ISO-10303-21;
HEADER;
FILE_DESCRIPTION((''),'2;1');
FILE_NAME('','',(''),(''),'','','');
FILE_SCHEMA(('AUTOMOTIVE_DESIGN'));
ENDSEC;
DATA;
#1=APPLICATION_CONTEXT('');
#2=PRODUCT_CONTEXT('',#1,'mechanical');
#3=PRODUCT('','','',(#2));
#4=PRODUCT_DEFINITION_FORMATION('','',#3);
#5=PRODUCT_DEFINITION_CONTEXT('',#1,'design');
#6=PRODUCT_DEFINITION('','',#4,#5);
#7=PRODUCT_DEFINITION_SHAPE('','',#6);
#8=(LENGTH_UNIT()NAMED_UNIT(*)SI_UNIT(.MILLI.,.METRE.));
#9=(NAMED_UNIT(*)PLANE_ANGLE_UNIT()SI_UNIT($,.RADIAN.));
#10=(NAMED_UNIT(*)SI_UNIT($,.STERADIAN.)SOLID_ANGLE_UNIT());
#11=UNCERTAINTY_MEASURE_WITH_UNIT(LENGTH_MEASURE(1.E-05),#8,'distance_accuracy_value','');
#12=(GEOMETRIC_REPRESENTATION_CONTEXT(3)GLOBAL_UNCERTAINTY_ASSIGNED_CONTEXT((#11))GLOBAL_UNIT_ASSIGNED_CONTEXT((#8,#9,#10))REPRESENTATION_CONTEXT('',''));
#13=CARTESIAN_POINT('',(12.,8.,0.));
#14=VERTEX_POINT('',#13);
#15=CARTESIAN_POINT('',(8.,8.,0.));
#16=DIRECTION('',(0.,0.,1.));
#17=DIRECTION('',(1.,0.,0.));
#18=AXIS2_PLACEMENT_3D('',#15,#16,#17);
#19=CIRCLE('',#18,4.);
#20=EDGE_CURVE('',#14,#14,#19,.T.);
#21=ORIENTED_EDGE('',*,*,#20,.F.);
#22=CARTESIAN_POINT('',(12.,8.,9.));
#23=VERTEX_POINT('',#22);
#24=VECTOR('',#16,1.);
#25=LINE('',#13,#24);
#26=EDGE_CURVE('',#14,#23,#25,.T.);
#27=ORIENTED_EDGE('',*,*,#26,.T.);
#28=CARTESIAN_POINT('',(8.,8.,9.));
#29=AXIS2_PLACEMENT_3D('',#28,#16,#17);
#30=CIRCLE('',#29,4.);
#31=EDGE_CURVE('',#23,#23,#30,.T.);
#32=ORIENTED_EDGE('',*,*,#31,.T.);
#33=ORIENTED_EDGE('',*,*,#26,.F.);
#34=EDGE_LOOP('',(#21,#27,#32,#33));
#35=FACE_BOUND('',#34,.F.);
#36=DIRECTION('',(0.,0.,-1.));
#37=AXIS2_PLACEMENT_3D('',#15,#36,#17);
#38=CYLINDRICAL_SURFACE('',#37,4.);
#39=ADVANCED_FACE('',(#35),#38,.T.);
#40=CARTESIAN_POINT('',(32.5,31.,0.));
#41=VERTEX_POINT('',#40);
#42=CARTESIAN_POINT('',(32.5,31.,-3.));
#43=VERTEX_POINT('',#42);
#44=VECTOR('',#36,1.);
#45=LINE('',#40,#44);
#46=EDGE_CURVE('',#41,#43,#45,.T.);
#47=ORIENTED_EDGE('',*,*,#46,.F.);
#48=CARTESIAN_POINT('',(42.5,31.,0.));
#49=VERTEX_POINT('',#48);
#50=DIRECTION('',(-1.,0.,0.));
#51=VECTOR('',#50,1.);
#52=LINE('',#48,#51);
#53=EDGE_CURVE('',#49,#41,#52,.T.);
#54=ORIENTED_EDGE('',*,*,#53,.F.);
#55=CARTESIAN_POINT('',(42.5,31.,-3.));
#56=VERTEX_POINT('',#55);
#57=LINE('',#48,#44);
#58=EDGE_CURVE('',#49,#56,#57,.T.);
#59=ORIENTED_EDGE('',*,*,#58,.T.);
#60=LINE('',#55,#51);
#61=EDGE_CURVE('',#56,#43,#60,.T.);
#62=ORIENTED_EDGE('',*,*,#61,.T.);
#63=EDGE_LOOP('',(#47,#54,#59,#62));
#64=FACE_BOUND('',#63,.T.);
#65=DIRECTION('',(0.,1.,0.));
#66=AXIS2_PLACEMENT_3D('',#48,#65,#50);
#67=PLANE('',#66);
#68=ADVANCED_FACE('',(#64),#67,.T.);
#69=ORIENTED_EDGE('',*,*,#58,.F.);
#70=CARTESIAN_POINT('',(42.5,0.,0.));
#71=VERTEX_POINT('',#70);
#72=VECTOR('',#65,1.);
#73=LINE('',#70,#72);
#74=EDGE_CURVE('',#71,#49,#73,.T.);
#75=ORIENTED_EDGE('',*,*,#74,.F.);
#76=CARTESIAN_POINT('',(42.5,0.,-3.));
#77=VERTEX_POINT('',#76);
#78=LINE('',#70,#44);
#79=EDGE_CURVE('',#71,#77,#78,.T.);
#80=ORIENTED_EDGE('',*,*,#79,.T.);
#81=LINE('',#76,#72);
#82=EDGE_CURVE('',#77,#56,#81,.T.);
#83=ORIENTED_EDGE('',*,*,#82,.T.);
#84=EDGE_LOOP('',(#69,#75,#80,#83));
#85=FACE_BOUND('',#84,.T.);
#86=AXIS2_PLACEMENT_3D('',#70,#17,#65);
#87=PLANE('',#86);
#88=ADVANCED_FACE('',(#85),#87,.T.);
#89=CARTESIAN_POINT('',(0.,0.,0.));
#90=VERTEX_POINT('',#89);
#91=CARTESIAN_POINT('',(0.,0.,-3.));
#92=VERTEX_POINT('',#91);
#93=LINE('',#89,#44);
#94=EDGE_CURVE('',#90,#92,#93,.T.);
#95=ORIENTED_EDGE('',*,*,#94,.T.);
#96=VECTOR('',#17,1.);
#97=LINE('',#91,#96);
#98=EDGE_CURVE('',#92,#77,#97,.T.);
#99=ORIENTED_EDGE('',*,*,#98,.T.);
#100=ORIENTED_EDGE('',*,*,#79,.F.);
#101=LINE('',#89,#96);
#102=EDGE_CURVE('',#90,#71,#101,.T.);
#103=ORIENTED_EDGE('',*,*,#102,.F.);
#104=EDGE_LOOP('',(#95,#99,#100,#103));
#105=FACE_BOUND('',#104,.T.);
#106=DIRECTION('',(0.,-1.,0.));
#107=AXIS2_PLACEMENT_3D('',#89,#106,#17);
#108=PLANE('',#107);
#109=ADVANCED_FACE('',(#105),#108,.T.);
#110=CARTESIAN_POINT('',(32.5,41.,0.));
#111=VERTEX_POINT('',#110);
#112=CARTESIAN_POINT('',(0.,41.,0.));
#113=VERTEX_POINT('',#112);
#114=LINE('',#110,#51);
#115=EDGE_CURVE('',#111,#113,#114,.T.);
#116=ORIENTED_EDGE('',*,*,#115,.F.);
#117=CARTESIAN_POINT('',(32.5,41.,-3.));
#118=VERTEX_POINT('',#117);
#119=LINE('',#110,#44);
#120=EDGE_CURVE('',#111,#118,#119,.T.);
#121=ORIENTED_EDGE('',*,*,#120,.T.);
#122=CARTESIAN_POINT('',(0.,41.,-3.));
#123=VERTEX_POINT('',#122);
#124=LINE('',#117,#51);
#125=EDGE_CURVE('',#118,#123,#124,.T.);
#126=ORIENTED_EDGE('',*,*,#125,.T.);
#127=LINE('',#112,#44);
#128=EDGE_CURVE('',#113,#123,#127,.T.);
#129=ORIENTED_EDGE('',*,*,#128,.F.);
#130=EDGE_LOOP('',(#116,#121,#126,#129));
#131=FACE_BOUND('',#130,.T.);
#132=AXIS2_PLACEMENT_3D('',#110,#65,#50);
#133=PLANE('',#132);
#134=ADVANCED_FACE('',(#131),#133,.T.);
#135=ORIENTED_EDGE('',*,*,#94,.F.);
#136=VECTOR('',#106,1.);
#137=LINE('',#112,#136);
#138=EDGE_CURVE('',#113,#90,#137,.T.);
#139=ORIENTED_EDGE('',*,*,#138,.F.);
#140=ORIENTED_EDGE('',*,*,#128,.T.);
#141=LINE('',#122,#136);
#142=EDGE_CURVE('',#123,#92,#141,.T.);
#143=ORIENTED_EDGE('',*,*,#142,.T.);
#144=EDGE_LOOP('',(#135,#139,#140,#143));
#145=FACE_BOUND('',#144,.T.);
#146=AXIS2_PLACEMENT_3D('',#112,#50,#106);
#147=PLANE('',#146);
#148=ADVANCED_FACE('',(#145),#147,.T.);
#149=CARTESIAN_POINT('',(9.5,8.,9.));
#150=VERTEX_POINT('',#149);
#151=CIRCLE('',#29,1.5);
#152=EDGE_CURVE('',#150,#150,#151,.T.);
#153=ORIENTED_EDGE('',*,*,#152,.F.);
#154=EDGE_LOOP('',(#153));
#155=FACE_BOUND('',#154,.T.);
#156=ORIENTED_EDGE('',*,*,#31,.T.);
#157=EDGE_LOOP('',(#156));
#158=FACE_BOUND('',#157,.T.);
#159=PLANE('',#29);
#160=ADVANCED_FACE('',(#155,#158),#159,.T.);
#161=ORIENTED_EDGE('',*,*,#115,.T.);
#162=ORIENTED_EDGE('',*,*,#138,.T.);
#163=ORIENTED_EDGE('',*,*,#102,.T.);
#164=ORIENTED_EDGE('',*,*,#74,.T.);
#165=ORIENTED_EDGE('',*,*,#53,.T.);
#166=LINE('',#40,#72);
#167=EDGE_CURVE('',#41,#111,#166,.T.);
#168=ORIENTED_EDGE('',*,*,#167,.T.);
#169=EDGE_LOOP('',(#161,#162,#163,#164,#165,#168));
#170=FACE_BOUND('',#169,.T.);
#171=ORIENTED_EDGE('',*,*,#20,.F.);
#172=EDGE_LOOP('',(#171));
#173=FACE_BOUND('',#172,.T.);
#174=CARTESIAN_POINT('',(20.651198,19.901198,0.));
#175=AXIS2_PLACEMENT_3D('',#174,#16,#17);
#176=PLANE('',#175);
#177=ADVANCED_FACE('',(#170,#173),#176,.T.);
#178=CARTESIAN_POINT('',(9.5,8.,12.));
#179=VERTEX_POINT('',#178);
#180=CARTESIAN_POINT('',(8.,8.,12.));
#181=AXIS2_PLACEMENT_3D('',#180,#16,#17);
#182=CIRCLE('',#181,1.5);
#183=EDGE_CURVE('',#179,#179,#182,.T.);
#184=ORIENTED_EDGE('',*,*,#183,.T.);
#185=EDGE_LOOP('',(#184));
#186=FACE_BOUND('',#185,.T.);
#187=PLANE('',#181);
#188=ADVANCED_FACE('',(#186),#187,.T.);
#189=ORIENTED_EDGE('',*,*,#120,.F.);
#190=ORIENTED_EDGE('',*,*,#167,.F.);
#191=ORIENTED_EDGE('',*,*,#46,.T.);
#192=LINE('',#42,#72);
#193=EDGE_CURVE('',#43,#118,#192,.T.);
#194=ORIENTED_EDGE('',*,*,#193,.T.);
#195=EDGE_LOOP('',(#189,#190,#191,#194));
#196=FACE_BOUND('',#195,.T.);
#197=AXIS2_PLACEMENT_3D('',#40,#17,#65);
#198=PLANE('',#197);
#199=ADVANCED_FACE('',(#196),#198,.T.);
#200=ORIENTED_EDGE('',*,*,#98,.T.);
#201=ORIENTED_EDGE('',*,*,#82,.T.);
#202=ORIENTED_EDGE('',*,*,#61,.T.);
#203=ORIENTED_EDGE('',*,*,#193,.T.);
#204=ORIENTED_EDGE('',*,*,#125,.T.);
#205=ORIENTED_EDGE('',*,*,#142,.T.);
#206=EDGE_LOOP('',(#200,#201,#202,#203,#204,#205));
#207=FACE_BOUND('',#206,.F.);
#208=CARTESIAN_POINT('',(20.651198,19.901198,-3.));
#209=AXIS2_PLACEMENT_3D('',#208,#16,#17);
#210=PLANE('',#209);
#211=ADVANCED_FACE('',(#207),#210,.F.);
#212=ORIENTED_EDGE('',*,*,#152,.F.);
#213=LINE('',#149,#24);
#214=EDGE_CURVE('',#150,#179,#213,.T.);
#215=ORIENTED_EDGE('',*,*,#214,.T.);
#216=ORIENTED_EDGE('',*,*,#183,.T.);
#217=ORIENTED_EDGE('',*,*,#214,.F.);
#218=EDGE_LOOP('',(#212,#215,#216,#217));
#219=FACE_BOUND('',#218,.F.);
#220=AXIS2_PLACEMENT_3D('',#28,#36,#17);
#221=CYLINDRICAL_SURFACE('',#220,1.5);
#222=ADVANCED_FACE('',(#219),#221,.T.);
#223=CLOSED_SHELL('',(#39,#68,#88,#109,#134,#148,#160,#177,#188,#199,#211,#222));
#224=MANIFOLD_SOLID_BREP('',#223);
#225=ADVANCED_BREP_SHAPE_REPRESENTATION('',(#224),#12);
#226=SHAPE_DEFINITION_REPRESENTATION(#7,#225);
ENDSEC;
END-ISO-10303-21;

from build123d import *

# Parameters (mm, degrees)
F0_R     = 4
F1_DEPTH = 3
F2_DEPTH = 9
F3_R     = 1.5
F4_DEPTH = 3


with BuildPart() as f1:
    # F0 (on Top) → F1 (new body)
    with BuildSketch(Plane.XY):
        Polygon((0, 41), (0, 0), (42.5, 0), (42.5, 31), (32.5, 31), (32.5, 41), align=None)
        with Locations((8, 8)):
            Circle(F0_R, mode=Mode.SUBTRACT)
        with Locations((8, 8)):
            Circle(F0_R)
    extrude(amount=-F1_DEPTH)

    # F0 (on Top) → F2 (join)
    with BuildSketch(Plane.XY):
        with Locations((8, 8)):
            Circle(F0_R)
    extrude(amount=F2_DEPTH)

    # F3 (on face) → F4 (join)
    with BuildSketch(Plane.XY.offset(9)):
        with Locations((8, 8)):
            Circle(F3_R)
    extrude(amount=F4_DEPTH)


solid = f1.part
